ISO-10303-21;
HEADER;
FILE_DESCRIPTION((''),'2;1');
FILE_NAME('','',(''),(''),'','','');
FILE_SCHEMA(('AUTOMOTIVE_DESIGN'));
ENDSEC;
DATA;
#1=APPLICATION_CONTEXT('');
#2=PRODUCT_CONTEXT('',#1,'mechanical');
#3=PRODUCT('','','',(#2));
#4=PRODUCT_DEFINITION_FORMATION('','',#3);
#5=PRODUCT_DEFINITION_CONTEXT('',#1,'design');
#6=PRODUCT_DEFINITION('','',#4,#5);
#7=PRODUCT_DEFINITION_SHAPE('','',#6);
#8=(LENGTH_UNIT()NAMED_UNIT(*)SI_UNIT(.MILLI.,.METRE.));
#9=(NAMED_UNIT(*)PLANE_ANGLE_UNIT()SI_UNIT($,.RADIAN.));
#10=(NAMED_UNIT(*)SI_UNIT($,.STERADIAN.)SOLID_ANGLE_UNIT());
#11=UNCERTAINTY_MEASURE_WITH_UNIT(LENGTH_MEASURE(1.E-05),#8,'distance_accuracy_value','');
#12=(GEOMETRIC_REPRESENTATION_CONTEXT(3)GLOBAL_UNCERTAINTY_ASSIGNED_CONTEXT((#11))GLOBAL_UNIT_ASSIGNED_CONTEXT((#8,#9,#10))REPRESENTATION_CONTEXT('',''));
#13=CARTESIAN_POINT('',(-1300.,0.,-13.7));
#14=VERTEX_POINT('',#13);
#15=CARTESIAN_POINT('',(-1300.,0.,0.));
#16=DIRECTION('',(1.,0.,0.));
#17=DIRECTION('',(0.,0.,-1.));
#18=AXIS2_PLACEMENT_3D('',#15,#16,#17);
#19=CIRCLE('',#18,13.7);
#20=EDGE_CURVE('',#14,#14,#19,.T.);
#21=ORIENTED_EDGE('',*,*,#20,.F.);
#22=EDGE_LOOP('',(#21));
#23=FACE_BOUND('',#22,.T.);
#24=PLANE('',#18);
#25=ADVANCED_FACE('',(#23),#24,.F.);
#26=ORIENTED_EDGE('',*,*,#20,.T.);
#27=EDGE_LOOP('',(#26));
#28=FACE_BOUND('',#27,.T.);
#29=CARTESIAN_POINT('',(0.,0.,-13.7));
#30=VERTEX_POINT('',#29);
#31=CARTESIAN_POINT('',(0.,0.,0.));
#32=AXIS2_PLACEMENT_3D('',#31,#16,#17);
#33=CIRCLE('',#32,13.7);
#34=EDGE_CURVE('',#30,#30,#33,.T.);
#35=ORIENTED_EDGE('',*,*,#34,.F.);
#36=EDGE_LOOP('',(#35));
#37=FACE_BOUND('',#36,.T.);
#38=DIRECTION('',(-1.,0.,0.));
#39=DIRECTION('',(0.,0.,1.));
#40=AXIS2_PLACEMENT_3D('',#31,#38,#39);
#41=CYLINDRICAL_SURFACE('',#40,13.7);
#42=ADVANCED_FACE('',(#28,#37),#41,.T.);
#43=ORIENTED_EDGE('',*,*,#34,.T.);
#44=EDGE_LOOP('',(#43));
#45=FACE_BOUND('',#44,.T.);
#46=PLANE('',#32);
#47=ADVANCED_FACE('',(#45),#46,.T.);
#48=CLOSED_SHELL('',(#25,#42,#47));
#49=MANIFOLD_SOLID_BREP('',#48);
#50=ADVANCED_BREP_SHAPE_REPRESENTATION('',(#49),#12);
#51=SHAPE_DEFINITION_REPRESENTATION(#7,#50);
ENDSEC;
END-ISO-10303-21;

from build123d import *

# Parameters (mm, degrees)
CROQUIS2_R = 13.7


with BuildPart() as part:
    # Barrer1: sweep along a curve in space
    with BuildLine() as barrer1_path:
        Line((0, 0, 0), (-1300, 0, 0))
    # Croquis2 → Barrer1 (sweep)
    with BuildSketch(Plane(origin=(0, 0, 0), x_dir=(0, 0, -1), z_dir=(1, 0, 0))):
        Circle(CROQUIS2_R)
    sweep(path=barrer1_path.line)


solid = part.part
